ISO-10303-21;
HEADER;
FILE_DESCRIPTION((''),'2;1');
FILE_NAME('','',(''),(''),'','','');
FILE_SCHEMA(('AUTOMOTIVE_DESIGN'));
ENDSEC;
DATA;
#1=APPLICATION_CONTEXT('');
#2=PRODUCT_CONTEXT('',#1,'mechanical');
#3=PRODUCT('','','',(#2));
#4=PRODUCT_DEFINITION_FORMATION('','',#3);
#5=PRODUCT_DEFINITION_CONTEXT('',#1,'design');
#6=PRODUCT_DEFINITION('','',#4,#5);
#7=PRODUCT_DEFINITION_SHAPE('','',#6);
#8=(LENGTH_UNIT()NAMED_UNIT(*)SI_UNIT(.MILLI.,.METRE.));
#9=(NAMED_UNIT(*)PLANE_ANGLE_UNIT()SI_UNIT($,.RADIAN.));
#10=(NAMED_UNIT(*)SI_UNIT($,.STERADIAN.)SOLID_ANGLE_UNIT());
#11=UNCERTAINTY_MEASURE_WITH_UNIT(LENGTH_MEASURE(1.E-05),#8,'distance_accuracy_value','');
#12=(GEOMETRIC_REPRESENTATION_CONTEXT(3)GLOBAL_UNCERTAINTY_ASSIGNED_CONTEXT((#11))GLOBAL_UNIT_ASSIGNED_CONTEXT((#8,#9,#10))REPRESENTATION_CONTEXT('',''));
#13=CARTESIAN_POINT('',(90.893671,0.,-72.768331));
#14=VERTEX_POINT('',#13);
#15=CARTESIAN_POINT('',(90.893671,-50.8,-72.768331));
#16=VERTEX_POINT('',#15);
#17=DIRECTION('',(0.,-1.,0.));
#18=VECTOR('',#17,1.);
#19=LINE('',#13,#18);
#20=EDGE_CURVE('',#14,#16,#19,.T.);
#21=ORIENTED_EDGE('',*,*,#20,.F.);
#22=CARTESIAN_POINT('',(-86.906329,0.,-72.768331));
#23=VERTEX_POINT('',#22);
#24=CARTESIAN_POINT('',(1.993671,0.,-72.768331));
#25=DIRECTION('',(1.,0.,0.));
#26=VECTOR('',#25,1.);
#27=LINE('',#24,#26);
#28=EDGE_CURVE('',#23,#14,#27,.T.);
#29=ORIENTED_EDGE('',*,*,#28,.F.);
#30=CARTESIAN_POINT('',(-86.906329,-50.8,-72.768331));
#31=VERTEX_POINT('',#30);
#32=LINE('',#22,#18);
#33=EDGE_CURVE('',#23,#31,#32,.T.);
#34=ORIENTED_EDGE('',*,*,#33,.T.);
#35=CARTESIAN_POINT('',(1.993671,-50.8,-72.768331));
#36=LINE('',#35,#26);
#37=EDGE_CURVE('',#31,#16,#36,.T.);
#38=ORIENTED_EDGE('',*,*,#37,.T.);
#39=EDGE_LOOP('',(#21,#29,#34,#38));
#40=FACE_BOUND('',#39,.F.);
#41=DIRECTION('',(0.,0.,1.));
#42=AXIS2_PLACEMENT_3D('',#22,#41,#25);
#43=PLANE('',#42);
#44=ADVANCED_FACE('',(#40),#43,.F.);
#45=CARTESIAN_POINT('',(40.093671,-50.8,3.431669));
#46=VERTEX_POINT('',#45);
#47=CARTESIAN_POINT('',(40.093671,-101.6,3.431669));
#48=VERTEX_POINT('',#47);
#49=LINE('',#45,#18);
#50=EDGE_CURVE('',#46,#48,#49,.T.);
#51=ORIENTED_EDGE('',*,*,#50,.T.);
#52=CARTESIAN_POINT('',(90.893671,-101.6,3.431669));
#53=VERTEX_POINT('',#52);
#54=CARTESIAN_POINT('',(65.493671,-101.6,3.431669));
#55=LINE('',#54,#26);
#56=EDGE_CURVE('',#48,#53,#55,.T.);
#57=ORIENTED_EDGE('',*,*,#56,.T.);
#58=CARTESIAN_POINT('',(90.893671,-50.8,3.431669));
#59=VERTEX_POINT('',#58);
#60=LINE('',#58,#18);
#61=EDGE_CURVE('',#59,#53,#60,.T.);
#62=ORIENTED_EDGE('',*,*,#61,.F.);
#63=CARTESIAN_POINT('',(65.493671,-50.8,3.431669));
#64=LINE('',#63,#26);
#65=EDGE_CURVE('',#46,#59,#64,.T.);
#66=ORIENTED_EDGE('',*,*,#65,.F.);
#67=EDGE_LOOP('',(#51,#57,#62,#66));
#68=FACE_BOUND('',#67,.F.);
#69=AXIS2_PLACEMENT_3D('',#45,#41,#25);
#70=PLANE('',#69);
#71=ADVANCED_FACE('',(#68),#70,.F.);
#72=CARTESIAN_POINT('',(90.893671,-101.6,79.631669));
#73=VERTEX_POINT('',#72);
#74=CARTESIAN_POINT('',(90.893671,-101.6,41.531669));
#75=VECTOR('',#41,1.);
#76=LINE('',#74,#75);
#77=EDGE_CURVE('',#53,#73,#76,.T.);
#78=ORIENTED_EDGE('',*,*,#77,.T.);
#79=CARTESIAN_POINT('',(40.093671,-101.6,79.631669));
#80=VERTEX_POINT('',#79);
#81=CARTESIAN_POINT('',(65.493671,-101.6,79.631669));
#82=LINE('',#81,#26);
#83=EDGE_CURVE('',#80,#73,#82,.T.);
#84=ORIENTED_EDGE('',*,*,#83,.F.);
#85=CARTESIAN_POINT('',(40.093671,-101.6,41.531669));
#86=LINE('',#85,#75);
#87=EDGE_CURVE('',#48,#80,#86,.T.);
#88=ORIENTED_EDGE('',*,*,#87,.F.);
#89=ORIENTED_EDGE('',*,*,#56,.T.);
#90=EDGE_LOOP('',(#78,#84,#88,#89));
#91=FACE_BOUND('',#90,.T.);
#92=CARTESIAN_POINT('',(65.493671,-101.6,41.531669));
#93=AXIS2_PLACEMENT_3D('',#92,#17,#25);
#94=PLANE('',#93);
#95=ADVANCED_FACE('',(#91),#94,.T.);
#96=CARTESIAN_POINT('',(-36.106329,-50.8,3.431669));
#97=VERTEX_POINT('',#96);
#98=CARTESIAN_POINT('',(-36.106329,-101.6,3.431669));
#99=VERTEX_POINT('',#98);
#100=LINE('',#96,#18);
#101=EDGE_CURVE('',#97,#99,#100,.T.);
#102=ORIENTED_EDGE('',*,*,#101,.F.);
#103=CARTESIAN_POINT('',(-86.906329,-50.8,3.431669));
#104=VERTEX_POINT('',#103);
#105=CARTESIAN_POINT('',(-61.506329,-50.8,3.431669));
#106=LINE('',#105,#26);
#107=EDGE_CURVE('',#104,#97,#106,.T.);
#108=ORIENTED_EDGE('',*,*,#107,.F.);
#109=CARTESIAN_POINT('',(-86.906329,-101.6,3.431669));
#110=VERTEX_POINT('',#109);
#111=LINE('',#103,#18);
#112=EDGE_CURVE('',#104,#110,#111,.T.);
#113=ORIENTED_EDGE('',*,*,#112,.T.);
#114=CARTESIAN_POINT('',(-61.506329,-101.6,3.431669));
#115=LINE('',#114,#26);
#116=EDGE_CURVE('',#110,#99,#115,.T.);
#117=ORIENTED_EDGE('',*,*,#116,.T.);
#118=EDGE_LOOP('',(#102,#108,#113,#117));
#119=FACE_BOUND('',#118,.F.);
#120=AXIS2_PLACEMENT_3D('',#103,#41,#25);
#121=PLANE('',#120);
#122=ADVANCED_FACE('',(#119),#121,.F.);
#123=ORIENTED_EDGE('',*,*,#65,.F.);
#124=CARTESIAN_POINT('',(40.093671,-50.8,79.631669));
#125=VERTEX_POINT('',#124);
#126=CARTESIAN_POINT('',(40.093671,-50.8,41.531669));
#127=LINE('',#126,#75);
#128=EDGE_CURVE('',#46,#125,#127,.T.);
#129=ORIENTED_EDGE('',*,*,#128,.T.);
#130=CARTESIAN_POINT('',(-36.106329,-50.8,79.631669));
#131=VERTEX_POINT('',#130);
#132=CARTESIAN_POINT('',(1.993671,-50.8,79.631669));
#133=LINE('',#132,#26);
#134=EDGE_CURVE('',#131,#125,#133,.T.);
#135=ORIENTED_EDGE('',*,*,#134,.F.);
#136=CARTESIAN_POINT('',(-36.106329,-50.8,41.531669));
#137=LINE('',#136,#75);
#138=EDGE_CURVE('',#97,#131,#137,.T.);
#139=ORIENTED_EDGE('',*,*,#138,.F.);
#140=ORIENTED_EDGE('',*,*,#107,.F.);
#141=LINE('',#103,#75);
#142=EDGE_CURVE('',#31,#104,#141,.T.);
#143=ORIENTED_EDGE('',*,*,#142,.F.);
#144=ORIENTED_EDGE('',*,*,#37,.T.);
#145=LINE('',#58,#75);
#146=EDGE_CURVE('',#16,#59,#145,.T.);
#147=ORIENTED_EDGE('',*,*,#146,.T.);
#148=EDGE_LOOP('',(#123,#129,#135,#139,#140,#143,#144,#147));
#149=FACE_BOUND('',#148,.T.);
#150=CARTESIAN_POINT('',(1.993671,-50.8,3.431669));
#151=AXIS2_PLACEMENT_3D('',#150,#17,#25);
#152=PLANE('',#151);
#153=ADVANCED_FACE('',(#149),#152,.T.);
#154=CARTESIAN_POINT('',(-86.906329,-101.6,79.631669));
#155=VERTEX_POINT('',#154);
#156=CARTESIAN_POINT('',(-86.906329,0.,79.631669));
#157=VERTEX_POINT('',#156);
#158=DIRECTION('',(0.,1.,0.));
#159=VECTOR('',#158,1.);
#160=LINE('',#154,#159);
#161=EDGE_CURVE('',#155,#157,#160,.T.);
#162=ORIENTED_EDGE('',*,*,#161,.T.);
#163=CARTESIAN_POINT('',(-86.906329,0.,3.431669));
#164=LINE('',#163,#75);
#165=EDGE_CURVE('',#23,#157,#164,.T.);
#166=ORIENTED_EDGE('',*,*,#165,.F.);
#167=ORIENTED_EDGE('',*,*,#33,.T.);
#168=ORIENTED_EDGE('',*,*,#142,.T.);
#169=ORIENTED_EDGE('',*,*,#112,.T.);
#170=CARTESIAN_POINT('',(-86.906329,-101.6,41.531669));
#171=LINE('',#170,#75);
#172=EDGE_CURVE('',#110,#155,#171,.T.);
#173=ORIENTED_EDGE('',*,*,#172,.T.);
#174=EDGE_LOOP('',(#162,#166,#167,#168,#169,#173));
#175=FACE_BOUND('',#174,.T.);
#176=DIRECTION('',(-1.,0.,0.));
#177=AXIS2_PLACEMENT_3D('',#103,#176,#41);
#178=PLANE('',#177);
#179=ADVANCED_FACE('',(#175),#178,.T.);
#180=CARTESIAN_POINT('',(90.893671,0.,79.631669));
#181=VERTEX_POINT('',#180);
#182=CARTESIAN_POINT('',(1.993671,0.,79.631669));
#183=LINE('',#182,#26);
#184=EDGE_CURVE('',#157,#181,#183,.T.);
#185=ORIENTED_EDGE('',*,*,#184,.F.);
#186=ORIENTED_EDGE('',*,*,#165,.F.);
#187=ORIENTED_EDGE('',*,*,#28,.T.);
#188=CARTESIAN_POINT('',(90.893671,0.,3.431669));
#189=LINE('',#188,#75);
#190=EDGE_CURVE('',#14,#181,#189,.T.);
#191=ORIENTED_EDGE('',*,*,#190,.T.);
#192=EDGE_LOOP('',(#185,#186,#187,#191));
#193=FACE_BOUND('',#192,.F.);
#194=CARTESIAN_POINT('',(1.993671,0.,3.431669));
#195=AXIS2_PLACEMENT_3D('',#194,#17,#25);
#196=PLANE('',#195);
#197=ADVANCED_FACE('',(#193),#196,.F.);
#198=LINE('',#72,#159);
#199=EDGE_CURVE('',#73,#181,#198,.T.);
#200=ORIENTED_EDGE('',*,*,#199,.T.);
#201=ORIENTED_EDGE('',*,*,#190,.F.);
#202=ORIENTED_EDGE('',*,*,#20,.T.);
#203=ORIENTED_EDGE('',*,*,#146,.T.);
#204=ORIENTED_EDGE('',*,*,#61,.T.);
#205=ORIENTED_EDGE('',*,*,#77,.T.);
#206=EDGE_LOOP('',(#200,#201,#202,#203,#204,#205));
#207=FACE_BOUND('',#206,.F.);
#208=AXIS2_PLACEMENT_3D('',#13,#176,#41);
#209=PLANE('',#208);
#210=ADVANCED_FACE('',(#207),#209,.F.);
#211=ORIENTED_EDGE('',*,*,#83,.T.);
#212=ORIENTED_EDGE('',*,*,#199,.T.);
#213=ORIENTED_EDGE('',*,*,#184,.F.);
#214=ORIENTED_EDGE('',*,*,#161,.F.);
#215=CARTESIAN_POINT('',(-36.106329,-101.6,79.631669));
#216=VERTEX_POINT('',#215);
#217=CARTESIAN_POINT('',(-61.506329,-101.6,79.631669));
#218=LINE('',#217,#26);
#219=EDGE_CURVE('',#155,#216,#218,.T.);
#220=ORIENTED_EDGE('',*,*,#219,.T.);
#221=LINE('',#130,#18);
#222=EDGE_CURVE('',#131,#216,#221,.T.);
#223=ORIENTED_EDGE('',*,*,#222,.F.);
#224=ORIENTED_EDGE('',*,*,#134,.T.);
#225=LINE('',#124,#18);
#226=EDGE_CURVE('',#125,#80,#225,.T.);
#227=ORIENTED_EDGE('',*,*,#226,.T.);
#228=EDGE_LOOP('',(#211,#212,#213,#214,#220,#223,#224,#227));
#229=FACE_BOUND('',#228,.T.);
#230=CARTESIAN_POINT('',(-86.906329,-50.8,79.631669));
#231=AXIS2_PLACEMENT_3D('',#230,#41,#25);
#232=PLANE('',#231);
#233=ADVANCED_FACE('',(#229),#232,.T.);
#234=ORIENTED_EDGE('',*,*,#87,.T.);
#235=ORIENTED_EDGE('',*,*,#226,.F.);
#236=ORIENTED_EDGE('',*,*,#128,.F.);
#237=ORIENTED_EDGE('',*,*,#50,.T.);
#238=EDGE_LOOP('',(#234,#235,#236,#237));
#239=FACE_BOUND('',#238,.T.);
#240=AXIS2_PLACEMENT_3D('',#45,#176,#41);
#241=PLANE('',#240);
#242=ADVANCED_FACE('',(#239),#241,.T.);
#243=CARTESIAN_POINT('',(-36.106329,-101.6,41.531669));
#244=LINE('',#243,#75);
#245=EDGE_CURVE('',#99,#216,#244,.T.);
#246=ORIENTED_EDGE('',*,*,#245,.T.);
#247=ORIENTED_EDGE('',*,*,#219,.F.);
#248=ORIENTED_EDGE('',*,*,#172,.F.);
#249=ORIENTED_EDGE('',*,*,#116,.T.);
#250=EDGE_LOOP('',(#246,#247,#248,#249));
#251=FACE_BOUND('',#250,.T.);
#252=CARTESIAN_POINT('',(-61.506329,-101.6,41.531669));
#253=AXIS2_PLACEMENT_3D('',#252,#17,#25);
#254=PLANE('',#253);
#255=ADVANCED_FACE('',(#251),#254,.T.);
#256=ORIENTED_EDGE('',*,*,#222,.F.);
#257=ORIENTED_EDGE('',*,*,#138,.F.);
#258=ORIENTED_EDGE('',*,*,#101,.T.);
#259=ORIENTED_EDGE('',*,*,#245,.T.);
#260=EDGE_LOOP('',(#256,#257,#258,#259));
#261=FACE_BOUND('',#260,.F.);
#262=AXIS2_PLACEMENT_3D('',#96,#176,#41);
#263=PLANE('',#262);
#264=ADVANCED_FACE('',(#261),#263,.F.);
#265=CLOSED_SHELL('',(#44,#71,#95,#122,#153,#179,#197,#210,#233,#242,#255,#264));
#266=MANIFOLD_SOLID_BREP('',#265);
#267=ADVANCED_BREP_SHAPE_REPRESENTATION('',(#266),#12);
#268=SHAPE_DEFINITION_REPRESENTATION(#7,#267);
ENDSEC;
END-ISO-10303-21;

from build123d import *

# Parameters (mm, degrees)
F0_W     = 177.8
F0_H     = 152.4
F1_DEPTH = 50.8
F2_W     = 50.8
F2_H     = 76.2
F3_DEPTH = 50.8


with BuildPart() as f1:
    # F0 (on Front) → F1 (new body)
    with BuildSketch(Plane.XZ):
        with Locations((1.993671, 3.431669)):
            Rectangle(F0_W, F0_H)
    extrude(amount=F1_DEPTH)

    # F2 (on face) → F3 (join)
    with BuildSketch(Plane.XZ.offset(50.8)):
        with Locations((-61.506329, 41.531669)):
            Rectangle(F2_W, F2_H)
        with Locations((65.493671, 41.531669)):
            Rectangle(F2_W, F2_H)
    extrude(amount=F3_DEPTH)


solid = f1.part
